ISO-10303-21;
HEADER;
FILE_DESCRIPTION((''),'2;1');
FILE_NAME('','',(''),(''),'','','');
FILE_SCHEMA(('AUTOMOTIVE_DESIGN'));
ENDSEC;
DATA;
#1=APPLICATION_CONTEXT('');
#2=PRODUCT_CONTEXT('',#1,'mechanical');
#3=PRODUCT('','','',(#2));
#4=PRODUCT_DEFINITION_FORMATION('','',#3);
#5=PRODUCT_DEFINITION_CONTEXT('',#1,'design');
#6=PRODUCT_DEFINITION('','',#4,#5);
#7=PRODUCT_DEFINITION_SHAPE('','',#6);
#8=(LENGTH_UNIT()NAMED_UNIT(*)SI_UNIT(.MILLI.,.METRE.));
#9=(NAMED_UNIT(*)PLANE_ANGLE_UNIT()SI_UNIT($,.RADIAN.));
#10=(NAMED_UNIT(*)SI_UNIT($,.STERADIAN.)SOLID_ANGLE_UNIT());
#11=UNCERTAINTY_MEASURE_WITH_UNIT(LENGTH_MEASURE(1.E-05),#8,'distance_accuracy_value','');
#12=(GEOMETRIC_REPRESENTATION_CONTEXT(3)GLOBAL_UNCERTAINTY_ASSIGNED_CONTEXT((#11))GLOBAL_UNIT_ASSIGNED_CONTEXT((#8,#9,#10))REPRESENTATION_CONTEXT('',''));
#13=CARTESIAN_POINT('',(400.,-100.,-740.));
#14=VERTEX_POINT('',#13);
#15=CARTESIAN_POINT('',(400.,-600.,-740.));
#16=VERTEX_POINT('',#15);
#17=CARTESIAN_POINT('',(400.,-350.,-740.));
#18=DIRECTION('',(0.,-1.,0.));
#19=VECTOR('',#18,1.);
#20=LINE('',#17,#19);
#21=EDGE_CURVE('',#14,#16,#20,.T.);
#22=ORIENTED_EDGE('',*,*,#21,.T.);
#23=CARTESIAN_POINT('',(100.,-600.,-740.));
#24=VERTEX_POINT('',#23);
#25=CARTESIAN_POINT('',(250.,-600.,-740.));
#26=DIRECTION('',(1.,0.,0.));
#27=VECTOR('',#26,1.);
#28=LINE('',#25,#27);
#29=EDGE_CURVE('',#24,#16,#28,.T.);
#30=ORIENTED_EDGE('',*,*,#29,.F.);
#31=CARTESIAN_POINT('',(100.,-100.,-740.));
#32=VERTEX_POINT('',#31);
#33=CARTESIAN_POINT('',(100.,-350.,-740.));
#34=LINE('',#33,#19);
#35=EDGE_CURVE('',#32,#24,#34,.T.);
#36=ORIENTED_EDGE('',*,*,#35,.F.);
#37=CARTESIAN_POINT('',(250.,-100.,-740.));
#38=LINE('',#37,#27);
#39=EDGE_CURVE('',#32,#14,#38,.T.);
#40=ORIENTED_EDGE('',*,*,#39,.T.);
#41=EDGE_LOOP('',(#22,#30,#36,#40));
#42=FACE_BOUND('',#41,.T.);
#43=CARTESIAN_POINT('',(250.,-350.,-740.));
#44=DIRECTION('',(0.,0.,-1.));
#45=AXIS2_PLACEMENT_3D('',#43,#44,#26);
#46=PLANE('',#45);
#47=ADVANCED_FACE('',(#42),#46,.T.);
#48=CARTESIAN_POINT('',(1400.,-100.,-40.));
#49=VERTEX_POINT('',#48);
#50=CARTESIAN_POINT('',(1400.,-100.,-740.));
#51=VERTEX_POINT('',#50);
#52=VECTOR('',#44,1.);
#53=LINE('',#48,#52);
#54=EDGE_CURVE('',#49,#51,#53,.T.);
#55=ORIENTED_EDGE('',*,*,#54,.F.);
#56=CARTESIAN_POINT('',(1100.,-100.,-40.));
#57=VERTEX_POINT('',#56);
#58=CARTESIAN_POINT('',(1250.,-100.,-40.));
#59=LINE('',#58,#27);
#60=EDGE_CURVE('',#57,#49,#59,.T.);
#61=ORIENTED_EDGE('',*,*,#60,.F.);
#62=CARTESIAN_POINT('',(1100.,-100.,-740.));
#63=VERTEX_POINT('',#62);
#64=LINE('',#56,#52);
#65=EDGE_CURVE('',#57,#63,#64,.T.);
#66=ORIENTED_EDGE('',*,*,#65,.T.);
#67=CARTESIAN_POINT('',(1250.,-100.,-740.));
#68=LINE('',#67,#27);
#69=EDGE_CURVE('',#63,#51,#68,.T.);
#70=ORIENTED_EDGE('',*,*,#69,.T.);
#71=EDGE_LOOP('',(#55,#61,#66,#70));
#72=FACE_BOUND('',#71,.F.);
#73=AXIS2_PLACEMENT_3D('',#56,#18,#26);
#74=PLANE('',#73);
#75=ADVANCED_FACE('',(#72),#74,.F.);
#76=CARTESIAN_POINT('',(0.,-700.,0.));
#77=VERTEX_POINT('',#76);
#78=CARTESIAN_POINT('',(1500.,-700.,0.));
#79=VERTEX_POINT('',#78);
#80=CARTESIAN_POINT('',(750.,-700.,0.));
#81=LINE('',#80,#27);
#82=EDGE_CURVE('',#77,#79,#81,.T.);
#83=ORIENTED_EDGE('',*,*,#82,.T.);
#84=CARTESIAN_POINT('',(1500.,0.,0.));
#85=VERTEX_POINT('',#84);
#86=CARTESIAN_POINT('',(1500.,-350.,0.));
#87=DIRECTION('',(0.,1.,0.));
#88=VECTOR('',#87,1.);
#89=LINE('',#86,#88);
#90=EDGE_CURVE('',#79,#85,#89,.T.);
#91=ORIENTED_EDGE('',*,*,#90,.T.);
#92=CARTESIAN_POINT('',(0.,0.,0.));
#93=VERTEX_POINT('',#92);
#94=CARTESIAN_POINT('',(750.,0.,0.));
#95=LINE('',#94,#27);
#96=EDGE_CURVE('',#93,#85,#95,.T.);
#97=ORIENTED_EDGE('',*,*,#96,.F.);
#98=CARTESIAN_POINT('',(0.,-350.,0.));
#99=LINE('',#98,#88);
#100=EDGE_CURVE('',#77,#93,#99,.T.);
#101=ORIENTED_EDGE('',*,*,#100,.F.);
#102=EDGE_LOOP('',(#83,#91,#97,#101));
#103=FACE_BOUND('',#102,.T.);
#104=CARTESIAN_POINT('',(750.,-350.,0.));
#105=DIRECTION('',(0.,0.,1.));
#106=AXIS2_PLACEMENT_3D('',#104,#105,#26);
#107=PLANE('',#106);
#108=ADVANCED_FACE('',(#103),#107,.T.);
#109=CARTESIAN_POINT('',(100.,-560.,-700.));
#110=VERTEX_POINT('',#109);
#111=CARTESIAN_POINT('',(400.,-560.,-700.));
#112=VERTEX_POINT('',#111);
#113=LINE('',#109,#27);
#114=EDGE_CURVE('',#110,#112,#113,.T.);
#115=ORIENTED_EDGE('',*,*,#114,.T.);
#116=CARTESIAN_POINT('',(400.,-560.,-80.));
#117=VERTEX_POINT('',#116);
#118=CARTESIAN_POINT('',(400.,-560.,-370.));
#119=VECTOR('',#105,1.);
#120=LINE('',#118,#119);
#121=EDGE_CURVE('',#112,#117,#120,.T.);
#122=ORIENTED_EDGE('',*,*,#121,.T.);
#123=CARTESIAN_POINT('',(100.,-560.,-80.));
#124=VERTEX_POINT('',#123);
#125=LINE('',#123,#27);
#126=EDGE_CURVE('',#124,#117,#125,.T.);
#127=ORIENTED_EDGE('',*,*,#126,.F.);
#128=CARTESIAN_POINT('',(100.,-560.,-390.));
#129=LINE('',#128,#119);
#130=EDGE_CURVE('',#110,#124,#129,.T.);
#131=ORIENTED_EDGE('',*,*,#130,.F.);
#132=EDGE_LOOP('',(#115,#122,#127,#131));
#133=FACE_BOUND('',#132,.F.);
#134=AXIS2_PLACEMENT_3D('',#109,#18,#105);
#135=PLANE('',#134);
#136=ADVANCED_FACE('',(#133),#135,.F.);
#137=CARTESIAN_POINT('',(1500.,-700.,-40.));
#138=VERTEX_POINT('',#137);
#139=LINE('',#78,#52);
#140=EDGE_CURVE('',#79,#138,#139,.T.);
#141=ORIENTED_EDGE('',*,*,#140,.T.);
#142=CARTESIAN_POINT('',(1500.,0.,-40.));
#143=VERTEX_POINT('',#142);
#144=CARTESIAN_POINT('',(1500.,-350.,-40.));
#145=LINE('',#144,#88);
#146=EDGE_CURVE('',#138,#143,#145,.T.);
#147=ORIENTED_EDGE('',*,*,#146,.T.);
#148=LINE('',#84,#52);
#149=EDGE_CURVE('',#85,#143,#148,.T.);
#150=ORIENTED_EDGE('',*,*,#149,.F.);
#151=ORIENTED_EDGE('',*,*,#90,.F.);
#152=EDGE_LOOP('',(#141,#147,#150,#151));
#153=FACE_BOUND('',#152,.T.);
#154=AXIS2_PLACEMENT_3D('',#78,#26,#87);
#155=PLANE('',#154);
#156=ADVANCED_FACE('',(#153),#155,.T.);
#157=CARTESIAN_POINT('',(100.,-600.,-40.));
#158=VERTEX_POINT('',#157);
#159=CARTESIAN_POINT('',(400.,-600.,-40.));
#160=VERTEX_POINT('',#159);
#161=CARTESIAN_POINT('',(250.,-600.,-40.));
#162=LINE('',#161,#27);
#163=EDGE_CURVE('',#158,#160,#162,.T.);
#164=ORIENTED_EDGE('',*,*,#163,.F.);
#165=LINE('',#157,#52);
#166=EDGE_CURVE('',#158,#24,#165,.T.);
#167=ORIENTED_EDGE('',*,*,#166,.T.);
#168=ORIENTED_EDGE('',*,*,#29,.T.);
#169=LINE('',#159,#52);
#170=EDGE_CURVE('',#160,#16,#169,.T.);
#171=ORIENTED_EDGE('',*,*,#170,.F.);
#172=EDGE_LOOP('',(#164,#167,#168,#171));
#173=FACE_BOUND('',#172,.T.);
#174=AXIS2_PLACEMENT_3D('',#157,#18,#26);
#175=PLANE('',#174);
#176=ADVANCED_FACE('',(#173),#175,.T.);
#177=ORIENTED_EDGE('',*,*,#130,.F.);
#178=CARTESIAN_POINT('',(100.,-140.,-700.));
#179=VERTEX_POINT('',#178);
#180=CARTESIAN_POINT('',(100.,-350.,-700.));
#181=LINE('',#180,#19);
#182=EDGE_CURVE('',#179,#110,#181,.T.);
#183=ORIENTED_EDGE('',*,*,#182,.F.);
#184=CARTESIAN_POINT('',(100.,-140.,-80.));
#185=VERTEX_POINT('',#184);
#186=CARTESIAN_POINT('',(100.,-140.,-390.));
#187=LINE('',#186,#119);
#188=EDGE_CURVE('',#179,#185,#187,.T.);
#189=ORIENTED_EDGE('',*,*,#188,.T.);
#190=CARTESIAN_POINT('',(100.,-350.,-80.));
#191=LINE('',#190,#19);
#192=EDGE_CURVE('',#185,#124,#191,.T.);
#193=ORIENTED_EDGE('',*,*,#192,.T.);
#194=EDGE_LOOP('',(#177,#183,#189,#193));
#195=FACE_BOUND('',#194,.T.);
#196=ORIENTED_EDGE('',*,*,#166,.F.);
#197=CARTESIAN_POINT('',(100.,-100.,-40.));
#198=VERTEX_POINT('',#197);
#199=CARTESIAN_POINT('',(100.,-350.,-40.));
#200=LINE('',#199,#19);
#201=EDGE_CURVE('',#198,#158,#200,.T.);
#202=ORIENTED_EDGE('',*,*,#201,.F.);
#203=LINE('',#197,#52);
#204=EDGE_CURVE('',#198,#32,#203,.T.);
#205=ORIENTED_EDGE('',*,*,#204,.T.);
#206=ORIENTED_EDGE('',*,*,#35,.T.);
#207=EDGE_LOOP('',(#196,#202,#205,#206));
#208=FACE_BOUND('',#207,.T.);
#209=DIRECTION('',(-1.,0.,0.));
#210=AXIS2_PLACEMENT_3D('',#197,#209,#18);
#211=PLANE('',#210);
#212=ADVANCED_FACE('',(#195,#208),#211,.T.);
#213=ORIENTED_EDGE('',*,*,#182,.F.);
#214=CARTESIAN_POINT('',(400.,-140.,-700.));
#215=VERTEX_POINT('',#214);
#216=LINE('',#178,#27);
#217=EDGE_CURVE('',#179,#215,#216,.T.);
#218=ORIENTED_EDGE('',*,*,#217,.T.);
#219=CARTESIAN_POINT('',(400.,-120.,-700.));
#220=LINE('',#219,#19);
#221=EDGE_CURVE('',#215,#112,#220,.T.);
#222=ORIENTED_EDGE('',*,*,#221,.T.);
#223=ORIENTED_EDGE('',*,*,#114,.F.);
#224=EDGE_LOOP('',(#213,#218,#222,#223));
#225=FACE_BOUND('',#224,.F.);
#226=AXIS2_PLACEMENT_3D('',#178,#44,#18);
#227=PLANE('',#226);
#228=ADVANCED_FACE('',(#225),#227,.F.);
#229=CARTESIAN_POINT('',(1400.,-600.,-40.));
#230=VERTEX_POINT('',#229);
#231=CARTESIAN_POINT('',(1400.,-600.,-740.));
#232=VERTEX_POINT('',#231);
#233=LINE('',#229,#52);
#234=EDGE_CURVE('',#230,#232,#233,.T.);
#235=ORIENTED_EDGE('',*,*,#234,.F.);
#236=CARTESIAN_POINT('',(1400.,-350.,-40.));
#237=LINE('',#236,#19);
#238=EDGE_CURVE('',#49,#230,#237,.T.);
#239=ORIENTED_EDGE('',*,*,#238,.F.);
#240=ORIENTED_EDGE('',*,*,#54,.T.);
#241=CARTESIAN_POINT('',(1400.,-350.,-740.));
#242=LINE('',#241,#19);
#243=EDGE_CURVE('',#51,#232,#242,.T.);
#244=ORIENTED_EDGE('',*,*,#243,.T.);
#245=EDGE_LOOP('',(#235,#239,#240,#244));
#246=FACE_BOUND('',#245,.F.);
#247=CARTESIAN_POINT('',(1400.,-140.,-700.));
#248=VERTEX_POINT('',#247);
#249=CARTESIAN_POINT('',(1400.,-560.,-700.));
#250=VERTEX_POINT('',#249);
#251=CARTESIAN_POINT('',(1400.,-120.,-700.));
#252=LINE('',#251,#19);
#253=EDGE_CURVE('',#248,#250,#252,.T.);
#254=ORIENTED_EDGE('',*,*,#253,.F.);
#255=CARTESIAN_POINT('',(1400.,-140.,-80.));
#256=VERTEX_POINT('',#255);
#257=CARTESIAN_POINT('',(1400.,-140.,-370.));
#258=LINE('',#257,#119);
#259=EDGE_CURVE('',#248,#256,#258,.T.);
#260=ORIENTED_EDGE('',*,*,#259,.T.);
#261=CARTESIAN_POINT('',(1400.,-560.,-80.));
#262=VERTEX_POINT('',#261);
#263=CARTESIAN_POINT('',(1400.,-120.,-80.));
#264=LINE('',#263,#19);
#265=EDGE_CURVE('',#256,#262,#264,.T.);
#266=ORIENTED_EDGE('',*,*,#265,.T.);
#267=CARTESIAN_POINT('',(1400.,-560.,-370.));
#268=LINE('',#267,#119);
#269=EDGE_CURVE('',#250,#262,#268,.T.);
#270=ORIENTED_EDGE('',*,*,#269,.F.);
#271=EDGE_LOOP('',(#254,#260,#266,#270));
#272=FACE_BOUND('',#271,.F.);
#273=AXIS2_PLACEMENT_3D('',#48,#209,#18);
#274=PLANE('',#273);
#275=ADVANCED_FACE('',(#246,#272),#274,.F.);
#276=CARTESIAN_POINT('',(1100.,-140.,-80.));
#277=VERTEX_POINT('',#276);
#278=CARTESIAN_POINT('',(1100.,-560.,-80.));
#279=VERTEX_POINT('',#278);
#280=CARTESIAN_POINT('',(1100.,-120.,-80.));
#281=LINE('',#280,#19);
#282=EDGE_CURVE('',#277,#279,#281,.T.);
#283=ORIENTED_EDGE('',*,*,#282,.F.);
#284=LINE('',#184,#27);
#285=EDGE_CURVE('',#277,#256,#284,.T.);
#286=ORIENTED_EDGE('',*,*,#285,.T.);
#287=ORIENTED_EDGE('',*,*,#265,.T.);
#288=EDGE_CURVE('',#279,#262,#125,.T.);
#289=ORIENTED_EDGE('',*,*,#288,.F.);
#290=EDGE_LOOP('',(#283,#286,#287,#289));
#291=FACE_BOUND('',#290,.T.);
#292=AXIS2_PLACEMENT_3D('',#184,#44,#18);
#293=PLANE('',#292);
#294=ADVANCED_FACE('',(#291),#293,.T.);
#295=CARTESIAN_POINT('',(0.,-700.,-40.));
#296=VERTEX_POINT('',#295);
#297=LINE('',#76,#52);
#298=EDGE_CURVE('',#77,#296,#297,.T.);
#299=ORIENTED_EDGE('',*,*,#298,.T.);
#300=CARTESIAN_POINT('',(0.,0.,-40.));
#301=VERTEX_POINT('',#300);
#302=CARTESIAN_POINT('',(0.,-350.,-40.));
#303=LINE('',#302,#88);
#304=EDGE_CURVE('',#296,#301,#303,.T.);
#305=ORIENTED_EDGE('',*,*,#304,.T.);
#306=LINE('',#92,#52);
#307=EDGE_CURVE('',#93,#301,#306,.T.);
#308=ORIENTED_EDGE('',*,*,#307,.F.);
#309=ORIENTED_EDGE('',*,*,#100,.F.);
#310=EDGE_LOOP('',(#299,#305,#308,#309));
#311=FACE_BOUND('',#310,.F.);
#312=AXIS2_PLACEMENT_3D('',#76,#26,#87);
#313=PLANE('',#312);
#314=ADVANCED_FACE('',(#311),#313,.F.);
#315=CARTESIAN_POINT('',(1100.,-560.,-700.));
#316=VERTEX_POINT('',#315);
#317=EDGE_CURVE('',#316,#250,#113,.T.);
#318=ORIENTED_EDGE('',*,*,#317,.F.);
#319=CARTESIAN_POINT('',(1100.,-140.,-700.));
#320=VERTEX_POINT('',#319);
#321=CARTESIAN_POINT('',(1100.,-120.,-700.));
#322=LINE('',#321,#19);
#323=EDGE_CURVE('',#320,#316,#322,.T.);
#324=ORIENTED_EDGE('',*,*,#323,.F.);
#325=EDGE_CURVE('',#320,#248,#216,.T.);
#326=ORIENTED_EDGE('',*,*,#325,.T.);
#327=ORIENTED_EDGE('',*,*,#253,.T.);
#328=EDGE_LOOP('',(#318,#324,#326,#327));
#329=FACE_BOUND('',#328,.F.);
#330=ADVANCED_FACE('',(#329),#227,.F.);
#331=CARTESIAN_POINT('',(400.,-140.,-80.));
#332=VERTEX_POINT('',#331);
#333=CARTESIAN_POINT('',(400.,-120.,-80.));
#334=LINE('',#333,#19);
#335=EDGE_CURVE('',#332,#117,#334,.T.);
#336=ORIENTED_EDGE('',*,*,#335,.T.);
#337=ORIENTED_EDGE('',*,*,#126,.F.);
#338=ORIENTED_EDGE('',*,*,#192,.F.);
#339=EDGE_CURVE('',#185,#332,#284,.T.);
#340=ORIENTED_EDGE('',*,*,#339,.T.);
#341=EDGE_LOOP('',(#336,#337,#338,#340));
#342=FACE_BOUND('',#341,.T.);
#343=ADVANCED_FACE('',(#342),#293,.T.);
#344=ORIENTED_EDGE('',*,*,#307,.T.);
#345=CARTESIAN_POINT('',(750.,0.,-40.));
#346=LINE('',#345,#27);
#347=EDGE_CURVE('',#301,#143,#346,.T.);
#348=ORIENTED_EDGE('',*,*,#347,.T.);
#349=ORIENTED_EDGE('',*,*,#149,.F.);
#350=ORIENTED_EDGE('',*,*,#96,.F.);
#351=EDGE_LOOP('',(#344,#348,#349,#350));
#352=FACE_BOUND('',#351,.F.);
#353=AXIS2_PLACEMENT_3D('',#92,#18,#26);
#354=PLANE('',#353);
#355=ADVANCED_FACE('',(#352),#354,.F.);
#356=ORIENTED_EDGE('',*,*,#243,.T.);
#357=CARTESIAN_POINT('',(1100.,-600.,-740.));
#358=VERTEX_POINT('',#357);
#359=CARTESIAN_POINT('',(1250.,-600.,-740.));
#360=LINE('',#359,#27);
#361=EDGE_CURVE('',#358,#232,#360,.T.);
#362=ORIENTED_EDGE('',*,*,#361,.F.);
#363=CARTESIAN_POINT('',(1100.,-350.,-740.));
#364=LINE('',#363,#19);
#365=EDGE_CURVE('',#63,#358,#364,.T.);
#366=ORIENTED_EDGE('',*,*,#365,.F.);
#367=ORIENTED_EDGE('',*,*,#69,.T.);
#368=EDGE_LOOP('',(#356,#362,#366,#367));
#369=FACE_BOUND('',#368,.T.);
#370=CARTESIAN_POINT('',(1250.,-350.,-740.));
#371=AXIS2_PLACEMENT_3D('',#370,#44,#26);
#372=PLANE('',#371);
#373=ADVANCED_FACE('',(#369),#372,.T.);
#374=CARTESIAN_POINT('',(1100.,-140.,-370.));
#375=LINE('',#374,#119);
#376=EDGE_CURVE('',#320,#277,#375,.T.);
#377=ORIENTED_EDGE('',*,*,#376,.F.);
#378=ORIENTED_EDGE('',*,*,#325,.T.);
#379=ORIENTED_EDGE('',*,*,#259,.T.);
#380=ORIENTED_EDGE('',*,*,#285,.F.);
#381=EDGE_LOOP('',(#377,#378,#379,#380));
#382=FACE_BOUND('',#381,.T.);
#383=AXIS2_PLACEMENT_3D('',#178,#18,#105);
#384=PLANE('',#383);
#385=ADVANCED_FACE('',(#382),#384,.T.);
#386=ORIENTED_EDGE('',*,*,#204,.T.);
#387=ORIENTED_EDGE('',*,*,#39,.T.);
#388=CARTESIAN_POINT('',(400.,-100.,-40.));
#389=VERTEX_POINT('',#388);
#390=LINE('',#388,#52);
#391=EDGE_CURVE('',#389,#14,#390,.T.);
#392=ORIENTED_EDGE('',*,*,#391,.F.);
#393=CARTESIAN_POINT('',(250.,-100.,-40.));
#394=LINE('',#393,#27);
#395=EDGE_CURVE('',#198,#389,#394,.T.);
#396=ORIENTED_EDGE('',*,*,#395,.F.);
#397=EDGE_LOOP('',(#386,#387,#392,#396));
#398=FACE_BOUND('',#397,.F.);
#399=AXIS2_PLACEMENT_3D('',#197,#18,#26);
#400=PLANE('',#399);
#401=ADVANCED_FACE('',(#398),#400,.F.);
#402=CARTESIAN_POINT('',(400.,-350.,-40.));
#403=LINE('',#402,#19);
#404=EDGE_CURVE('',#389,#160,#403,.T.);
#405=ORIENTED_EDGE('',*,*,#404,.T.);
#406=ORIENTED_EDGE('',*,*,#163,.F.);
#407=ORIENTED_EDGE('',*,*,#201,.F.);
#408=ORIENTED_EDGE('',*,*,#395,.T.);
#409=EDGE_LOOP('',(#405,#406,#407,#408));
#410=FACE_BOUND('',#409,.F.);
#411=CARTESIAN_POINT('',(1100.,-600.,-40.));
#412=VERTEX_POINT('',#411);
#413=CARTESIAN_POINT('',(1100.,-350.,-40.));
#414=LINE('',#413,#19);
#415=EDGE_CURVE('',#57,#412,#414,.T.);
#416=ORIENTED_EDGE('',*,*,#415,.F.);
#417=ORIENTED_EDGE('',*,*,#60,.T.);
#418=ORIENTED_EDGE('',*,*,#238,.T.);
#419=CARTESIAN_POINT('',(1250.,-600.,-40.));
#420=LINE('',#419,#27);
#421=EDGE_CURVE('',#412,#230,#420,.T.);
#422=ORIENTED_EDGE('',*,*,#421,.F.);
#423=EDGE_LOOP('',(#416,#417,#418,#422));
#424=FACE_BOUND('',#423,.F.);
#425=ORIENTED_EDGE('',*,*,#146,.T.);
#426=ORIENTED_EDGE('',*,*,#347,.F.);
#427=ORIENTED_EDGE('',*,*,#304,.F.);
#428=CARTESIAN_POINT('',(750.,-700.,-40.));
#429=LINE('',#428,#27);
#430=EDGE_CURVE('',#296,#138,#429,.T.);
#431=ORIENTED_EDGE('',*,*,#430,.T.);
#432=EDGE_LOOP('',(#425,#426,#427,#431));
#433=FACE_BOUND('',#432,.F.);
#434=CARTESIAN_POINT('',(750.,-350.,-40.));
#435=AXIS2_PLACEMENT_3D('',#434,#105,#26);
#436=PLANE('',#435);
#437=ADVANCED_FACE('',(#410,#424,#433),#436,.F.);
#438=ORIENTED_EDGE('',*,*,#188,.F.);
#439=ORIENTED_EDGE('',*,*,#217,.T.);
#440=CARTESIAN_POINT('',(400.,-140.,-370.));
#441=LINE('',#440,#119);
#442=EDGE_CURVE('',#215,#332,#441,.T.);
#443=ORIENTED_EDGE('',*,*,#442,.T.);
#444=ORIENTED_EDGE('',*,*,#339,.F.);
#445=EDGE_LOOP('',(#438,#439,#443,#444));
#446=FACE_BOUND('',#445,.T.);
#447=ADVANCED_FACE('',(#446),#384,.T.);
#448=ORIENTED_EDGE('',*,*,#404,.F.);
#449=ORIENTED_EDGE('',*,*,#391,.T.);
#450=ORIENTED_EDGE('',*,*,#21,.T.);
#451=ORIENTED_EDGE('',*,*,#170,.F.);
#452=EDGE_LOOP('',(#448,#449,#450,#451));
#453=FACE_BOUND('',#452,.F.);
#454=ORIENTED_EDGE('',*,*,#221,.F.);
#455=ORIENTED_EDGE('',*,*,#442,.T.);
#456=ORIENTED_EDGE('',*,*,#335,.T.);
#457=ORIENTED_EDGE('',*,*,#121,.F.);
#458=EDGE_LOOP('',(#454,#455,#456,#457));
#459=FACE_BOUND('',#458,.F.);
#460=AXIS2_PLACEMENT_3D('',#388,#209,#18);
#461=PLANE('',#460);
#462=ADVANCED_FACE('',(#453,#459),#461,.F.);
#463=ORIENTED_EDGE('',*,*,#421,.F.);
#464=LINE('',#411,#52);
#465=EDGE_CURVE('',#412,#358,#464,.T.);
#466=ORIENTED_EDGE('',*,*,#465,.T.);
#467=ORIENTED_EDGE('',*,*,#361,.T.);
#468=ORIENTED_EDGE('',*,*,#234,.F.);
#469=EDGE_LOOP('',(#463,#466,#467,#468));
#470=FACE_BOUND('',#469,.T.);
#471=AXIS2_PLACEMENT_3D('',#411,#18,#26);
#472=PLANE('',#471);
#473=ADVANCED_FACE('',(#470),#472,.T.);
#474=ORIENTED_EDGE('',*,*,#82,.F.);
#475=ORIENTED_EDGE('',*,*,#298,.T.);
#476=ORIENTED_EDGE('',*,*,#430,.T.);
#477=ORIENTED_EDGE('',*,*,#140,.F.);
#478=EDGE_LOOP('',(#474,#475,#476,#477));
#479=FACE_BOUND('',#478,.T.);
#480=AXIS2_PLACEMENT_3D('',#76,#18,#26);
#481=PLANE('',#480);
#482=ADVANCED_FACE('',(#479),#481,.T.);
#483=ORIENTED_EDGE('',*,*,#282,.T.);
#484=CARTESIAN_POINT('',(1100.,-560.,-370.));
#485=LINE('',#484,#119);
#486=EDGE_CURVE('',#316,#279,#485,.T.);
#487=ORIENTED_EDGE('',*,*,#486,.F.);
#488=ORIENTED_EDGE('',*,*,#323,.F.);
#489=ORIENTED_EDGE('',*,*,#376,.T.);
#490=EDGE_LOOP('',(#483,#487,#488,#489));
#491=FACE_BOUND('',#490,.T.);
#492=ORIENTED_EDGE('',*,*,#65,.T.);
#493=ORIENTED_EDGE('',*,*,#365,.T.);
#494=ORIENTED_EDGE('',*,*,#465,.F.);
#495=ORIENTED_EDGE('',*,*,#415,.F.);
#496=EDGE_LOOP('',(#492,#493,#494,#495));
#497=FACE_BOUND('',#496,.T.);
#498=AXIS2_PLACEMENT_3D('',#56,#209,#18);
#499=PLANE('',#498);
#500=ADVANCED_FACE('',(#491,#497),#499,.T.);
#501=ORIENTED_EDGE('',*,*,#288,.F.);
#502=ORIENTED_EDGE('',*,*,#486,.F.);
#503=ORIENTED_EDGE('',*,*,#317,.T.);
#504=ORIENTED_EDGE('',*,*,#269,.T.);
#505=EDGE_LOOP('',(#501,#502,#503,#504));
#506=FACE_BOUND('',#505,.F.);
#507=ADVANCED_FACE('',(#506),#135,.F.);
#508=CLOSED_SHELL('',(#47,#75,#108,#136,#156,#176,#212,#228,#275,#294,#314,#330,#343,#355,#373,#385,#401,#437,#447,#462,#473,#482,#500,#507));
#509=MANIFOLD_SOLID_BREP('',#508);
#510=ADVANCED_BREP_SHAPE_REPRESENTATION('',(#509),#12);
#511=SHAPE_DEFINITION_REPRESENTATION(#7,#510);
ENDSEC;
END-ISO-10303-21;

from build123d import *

# Parameters (mm, degrees)
F0_W     = 1500
F0_H     = 700
F1_DEPTH = 40
F2_W     = 300
F2_H     = 500
F3_DEPTH = 700
F4_W     = 420
F4_H     = 620
F5_DEPTH = 1328


with BuildPart() as f1:
    # F0 (on Top) → F1 (new body)
    with BuildSketch(Plane.XY):
        with Locations((750, -350)):
            Rectangle(F0_W, F0_H)
    extrude(amount=-F1_DEPTH)

    # F2 (on face) → F3 (join)
    with BuildSketch(Plane(origin=(0, 0, -40), x_dir=(1, 0, 0), z_dir=(0, 0, -1))):
        with Locations((250, 350)):
            Rectangle(F2_W, F2_H)
        with Locations((1250, 350)):
            Rectangle(F2_W, F2_H)
    extrude(amount=F3_DEPTH)

    # F4 (on face) → F5 (cut)
    with BuildSketch(Plane(origin=(100, 0, 0), x_dir=(0, -1, 0), z_dir=(-1, 0, 0))):
        with Locations((350, -390)):
            Rectangle(F4_W, F4_H)
    extrude(amount=-F5_DEPTH, mode=Mode.SUBTRACT)


solid = f1.part
